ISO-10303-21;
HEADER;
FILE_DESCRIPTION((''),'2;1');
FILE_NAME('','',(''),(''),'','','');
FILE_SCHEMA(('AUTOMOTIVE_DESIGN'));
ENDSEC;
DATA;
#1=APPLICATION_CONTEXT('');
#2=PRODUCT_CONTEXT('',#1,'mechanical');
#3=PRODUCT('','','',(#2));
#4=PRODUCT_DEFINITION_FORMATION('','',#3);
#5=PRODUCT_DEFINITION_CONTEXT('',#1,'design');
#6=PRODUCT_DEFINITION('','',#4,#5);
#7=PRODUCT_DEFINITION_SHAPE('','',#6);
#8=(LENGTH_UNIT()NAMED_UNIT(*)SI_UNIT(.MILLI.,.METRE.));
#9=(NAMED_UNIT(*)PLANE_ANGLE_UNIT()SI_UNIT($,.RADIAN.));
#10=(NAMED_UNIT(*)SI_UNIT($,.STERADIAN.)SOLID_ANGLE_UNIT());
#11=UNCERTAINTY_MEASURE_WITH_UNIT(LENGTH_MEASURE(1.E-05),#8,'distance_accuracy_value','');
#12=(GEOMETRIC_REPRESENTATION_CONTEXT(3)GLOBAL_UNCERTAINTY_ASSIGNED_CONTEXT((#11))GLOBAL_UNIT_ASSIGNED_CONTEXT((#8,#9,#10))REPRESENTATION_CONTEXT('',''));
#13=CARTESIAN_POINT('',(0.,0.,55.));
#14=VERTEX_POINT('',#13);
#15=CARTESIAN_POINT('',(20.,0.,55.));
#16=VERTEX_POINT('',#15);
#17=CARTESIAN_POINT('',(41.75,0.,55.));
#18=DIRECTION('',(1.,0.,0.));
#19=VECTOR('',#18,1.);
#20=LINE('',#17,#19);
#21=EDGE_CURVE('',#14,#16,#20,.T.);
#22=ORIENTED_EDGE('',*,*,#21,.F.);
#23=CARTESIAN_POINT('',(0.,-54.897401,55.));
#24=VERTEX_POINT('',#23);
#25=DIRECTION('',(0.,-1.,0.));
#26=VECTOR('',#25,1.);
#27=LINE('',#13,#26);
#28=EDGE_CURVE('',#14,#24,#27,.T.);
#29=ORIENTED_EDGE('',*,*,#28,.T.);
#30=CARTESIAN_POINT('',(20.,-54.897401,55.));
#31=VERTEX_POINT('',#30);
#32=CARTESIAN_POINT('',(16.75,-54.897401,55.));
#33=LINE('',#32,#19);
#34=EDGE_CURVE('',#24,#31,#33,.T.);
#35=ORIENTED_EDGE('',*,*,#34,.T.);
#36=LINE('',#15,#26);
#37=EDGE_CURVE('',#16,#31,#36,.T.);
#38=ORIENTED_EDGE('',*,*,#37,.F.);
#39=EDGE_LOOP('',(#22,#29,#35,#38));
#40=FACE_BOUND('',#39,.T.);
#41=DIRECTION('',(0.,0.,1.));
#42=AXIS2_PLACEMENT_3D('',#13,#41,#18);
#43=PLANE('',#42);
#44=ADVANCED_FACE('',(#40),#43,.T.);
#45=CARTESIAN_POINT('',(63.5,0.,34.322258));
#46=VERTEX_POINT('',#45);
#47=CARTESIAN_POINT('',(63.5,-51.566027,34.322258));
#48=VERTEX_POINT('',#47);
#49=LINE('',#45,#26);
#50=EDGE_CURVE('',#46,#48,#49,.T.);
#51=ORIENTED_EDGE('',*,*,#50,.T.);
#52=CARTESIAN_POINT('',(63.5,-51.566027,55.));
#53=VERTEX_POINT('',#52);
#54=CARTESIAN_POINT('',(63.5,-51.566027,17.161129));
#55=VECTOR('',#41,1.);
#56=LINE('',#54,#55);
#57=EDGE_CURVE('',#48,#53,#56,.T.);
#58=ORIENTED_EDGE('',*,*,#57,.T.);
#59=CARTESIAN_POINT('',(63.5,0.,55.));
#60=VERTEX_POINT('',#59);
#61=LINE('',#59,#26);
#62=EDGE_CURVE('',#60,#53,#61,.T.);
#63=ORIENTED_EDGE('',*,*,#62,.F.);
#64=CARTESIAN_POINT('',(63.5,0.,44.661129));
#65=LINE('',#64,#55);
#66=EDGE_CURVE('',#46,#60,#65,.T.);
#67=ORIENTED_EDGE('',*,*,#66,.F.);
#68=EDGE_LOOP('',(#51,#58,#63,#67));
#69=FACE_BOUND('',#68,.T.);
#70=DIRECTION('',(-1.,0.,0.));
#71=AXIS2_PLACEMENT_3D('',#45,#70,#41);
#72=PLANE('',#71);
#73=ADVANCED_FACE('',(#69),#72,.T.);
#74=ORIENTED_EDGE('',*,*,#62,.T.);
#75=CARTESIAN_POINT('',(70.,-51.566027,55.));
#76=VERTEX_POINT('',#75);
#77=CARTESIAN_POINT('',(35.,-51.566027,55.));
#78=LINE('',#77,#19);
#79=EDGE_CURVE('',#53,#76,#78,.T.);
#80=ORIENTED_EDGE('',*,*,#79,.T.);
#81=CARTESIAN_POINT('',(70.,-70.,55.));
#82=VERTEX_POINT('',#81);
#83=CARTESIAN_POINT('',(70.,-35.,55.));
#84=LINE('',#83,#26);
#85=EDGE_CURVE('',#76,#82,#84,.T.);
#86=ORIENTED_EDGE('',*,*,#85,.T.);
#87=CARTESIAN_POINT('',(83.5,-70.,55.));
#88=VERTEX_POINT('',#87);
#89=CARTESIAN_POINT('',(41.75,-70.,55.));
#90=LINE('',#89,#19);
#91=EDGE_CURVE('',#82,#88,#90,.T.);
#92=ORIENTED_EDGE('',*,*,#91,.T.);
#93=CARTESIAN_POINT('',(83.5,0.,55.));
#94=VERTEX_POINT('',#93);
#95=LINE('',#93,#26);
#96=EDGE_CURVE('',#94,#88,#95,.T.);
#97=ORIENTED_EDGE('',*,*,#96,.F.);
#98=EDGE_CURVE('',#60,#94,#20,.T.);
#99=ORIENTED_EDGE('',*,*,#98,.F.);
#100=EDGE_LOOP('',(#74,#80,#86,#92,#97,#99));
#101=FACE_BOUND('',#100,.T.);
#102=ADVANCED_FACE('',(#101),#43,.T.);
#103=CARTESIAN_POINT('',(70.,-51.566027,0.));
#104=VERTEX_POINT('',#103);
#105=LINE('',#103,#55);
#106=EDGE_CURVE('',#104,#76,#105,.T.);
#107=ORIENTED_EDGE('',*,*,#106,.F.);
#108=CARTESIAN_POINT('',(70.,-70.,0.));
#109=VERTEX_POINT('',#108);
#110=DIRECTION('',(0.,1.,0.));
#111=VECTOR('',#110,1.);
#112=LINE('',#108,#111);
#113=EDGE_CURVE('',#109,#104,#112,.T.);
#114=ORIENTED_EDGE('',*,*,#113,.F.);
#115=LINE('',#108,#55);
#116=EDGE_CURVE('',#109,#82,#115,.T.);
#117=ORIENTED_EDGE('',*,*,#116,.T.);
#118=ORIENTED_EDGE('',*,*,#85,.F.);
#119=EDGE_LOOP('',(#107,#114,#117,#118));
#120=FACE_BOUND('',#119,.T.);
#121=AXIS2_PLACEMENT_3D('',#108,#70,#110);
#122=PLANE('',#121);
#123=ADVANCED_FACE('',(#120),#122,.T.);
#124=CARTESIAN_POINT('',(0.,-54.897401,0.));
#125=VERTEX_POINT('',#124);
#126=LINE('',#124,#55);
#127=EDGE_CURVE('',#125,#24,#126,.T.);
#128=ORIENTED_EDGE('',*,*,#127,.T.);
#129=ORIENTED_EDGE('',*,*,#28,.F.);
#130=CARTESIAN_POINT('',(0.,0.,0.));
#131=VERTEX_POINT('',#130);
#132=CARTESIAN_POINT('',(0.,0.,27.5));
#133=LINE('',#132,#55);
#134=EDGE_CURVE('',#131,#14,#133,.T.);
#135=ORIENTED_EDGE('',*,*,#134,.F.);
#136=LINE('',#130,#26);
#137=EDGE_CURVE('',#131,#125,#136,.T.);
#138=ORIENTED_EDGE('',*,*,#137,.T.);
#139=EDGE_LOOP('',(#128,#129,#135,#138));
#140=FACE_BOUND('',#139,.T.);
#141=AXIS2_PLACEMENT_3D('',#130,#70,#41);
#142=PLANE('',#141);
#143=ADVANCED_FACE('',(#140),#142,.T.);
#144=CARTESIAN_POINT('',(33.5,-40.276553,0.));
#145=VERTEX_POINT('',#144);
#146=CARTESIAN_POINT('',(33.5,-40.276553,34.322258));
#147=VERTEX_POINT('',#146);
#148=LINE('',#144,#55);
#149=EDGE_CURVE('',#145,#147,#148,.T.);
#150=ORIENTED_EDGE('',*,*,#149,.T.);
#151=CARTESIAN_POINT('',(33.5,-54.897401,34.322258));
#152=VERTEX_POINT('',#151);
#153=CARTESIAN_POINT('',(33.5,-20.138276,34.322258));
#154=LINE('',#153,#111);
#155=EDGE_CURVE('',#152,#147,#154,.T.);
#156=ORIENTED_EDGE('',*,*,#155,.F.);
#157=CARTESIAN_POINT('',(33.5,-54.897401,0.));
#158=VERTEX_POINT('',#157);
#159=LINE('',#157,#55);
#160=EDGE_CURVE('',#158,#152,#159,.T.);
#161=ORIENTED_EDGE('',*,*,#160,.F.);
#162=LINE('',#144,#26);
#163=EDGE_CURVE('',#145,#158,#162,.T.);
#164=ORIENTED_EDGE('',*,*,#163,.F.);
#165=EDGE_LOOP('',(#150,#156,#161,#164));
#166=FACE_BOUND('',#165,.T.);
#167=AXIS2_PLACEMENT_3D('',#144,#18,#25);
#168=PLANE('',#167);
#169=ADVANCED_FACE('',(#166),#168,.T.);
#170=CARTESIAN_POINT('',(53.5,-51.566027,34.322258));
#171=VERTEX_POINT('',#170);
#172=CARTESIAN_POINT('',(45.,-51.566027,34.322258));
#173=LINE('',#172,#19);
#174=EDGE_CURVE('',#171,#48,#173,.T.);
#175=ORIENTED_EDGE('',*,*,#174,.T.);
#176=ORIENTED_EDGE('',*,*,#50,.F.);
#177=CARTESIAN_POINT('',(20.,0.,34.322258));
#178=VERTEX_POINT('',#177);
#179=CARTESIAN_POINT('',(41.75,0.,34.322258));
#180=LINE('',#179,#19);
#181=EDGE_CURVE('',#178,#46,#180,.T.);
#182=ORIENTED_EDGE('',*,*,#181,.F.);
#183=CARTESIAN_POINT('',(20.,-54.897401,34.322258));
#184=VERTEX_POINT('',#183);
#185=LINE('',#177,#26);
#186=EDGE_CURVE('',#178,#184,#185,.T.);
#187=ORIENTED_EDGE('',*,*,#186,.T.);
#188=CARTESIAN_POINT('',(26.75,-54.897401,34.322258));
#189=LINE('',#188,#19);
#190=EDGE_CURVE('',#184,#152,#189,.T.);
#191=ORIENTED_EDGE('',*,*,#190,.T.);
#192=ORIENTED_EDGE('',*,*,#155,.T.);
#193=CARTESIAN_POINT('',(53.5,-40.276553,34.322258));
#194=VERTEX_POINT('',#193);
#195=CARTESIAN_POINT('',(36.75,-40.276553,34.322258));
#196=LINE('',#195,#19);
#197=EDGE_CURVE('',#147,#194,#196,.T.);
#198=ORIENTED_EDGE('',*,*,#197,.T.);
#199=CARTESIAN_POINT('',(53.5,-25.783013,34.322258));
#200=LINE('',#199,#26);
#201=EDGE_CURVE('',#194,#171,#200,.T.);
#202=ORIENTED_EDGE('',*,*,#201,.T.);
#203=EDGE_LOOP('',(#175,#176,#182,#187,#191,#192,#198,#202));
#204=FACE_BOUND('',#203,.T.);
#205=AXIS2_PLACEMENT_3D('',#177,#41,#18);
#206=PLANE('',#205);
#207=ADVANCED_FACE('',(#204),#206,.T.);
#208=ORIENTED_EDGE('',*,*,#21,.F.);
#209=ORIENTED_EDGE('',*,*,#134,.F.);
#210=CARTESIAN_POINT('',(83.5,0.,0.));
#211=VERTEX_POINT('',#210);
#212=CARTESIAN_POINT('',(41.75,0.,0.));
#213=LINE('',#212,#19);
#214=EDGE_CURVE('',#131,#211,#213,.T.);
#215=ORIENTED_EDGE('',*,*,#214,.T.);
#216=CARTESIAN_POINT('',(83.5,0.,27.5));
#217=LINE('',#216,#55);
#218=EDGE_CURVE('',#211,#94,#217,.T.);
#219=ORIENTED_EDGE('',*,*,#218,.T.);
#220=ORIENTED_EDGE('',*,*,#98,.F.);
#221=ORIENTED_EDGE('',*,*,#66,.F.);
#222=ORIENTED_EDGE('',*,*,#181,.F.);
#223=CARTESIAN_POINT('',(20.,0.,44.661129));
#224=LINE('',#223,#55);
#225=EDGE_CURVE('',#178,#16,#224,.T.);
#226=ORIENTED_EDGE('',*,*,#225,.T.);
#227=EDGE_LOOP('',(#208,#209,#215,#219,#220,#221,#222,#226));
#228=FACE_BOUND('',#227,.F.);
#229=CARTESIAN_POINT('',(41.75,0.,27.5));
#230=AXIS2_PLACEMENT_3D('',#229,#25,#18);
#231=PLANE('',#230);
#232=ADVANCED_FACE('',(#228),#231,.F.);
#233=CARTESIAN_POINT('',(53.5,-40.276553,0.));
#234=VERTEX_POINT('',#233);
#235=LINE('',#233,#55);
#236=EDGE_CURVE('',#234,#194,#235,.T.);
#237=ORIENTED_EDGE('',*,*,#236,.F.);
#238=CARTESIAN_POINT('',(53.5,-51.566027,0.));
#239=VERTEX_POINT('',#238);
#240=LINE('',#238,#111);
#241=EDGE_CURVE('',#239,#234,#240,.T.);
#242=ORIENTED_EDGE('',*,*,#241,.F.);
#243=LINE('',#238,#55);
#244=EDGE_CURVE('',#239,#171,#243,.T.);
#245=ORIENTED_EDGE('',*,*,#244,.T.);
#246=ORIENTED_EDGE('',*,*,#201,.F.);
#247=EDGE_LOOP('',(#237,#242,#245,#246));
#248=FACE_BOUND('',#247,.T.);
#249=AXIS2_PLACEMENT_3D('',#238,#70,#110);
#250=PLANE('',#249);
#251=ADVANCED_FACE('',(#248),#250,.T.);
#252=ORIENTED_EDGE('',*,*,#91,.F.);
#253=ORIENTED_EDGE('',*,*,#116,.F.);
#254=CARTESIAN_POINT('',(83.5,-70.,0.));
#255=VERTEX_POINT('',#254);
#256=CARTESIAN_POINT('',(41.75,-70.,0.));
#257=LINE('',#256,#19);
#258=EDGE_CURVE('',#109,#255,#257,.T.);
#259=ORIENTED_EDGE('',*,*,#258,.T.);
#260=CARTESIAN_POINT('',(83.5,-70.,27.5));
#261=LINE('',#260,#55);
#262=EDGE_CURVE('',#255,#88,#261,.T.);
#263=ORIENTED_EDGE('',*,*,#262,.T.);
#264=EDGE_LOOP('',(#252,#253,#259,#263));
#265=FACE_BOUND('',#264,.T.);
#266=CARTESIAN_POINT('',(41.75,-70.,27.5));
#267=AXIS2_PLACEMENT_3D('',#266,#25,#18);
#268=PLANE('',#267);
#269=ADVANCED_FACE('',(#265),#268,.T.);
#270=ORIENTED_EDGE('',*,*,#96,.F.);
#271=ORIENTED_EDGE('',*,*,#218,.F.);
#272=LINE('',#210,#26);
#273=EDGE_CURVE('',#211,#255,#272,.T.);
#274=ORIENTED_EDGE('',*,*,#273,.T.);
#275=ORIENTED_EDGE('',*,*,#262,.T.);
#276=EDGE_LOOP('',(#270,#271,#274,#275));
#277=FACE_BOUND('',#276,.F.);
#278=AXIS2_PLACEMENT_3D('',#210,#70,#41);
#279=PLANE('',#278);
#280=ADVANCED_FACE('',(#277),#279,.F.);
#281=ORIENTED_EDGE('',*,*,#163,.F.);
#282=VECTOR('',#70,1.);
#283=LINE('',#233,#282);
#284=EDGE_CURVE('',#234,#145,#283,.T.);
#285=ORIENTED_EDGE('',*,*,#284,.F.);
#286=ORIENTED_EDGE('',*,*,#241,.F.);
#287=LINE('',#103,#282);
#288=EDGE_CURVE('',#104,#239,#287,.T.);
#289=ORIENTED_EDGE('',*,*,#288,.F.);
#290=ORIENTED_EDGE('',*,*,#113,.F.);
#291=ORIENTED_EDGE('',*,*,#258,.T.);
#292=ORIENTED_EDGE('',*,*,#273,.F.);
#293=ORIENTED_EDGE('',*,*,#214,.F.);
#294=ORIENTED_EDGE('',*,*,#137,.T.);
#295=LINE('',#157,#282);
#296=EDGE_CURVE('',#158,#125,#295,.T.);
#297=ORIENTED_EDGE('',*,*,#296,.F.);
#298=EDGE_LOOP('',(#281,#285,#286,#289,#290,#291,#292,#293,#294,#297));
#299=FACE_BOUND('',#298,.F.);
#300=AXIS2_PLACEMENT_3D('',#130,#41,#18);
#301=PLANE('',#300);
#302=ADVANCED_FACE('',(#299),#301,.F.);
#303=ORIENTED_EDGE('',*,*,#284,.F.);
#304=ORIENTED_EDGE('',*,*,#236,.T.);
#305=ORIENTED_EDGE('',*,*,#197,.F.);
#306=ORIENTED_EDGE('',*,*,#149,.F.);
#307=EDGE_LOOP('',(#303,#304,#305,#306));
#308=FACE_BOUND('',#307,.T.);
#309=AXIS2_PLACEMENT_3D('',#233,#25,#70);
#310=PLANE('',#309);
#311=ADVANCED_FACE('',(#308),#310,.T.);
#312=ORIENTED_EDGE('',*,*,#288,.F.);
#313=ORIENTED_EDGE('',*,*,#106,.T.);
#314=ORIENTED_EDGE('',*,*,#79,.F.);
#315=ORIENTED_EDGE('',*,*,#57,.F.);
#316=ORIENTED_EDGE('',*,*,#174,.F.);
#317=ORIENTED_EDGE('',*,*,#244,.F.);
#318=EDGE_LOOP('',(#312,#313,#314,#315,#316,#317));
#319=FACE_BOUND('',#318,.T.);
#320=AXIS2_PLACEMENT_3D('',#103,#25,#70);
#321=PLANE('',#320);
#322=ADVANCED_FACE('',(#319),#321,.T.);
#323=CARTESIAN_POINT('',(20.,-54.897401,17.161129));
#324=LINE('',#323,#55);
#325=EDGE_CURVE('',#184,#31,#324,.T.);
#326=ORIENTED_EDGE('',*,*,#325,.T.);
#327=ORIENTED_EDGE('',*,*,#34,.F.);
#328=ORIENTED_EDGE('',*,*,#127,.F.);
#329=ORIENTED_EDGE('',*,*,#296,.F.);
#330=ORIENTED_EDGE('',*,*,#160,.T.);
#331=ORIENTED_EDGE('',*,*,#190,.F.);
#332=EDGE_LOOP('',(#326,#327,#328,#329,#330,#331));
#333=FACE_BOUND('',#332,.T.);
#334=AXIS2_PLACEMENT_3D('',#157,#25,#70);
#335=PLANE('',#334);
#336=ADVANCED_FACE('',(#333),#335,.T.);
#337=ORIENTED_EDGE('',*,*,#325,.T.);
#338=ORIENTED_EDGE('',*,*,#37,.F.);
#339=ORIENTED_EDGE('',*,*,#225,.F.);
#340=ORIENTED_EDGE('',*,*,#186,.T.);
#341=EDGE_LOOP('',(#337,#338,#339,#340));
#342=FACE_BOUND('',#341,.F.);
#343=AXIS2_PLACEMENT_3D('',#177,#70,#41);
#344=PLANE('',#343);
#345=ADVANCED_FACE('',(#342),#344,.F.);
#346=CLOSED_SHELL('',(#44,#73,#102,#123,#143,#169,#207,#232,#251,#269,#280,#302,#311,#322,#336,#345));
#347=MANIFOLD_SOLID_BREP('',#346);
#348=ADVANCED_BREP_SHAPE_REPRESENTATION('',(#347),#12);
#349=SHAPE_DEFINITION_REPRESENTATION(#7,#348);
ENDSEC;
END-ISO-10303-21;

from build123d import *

# Parameters (mm, degrees)
F0_W     = 83.5
F0_H     = 55
F1_DEPTH = 70
F2_W     = 43.5
F2_H     = 20.677742
F3_DEPTH = 70.001
F5_DEPTH = 55.001


with BuildPart() as f1:
    # F0 (on Front) → F1 (new body)
    with BuildSketch(Plane.XZ):
        with Locations((41.75, 27.5)):
            Rectangle(F0_W, F0_H)
    extrude(amount=F1_DEPTH)

    # F2 (on Front) → F3 (cut, through all)
    with BuildSketch(Plane.XZ):
        with Locations((41.75, 44.661129)):
            Rectangle(F2_W, F2_H)
    extrude(amount=F3_DEPTH, mode=Mode.SUBTRACT)

    # F4 (on Top) → F5 (cut, through all)
    with BuildSketch(Plane.XY):
        Polygon((33.5, -54.897401), (0, -54.897401), (0, -70), (70, -70), (70, -51.566027), (53.5, -51.566027), (53.5, -40.276553), (33.5, -40.276553), align=None)
    extrude(amount=F5_DEPTH, mode=Mode.SUBTRACT)


solid = f1.part
